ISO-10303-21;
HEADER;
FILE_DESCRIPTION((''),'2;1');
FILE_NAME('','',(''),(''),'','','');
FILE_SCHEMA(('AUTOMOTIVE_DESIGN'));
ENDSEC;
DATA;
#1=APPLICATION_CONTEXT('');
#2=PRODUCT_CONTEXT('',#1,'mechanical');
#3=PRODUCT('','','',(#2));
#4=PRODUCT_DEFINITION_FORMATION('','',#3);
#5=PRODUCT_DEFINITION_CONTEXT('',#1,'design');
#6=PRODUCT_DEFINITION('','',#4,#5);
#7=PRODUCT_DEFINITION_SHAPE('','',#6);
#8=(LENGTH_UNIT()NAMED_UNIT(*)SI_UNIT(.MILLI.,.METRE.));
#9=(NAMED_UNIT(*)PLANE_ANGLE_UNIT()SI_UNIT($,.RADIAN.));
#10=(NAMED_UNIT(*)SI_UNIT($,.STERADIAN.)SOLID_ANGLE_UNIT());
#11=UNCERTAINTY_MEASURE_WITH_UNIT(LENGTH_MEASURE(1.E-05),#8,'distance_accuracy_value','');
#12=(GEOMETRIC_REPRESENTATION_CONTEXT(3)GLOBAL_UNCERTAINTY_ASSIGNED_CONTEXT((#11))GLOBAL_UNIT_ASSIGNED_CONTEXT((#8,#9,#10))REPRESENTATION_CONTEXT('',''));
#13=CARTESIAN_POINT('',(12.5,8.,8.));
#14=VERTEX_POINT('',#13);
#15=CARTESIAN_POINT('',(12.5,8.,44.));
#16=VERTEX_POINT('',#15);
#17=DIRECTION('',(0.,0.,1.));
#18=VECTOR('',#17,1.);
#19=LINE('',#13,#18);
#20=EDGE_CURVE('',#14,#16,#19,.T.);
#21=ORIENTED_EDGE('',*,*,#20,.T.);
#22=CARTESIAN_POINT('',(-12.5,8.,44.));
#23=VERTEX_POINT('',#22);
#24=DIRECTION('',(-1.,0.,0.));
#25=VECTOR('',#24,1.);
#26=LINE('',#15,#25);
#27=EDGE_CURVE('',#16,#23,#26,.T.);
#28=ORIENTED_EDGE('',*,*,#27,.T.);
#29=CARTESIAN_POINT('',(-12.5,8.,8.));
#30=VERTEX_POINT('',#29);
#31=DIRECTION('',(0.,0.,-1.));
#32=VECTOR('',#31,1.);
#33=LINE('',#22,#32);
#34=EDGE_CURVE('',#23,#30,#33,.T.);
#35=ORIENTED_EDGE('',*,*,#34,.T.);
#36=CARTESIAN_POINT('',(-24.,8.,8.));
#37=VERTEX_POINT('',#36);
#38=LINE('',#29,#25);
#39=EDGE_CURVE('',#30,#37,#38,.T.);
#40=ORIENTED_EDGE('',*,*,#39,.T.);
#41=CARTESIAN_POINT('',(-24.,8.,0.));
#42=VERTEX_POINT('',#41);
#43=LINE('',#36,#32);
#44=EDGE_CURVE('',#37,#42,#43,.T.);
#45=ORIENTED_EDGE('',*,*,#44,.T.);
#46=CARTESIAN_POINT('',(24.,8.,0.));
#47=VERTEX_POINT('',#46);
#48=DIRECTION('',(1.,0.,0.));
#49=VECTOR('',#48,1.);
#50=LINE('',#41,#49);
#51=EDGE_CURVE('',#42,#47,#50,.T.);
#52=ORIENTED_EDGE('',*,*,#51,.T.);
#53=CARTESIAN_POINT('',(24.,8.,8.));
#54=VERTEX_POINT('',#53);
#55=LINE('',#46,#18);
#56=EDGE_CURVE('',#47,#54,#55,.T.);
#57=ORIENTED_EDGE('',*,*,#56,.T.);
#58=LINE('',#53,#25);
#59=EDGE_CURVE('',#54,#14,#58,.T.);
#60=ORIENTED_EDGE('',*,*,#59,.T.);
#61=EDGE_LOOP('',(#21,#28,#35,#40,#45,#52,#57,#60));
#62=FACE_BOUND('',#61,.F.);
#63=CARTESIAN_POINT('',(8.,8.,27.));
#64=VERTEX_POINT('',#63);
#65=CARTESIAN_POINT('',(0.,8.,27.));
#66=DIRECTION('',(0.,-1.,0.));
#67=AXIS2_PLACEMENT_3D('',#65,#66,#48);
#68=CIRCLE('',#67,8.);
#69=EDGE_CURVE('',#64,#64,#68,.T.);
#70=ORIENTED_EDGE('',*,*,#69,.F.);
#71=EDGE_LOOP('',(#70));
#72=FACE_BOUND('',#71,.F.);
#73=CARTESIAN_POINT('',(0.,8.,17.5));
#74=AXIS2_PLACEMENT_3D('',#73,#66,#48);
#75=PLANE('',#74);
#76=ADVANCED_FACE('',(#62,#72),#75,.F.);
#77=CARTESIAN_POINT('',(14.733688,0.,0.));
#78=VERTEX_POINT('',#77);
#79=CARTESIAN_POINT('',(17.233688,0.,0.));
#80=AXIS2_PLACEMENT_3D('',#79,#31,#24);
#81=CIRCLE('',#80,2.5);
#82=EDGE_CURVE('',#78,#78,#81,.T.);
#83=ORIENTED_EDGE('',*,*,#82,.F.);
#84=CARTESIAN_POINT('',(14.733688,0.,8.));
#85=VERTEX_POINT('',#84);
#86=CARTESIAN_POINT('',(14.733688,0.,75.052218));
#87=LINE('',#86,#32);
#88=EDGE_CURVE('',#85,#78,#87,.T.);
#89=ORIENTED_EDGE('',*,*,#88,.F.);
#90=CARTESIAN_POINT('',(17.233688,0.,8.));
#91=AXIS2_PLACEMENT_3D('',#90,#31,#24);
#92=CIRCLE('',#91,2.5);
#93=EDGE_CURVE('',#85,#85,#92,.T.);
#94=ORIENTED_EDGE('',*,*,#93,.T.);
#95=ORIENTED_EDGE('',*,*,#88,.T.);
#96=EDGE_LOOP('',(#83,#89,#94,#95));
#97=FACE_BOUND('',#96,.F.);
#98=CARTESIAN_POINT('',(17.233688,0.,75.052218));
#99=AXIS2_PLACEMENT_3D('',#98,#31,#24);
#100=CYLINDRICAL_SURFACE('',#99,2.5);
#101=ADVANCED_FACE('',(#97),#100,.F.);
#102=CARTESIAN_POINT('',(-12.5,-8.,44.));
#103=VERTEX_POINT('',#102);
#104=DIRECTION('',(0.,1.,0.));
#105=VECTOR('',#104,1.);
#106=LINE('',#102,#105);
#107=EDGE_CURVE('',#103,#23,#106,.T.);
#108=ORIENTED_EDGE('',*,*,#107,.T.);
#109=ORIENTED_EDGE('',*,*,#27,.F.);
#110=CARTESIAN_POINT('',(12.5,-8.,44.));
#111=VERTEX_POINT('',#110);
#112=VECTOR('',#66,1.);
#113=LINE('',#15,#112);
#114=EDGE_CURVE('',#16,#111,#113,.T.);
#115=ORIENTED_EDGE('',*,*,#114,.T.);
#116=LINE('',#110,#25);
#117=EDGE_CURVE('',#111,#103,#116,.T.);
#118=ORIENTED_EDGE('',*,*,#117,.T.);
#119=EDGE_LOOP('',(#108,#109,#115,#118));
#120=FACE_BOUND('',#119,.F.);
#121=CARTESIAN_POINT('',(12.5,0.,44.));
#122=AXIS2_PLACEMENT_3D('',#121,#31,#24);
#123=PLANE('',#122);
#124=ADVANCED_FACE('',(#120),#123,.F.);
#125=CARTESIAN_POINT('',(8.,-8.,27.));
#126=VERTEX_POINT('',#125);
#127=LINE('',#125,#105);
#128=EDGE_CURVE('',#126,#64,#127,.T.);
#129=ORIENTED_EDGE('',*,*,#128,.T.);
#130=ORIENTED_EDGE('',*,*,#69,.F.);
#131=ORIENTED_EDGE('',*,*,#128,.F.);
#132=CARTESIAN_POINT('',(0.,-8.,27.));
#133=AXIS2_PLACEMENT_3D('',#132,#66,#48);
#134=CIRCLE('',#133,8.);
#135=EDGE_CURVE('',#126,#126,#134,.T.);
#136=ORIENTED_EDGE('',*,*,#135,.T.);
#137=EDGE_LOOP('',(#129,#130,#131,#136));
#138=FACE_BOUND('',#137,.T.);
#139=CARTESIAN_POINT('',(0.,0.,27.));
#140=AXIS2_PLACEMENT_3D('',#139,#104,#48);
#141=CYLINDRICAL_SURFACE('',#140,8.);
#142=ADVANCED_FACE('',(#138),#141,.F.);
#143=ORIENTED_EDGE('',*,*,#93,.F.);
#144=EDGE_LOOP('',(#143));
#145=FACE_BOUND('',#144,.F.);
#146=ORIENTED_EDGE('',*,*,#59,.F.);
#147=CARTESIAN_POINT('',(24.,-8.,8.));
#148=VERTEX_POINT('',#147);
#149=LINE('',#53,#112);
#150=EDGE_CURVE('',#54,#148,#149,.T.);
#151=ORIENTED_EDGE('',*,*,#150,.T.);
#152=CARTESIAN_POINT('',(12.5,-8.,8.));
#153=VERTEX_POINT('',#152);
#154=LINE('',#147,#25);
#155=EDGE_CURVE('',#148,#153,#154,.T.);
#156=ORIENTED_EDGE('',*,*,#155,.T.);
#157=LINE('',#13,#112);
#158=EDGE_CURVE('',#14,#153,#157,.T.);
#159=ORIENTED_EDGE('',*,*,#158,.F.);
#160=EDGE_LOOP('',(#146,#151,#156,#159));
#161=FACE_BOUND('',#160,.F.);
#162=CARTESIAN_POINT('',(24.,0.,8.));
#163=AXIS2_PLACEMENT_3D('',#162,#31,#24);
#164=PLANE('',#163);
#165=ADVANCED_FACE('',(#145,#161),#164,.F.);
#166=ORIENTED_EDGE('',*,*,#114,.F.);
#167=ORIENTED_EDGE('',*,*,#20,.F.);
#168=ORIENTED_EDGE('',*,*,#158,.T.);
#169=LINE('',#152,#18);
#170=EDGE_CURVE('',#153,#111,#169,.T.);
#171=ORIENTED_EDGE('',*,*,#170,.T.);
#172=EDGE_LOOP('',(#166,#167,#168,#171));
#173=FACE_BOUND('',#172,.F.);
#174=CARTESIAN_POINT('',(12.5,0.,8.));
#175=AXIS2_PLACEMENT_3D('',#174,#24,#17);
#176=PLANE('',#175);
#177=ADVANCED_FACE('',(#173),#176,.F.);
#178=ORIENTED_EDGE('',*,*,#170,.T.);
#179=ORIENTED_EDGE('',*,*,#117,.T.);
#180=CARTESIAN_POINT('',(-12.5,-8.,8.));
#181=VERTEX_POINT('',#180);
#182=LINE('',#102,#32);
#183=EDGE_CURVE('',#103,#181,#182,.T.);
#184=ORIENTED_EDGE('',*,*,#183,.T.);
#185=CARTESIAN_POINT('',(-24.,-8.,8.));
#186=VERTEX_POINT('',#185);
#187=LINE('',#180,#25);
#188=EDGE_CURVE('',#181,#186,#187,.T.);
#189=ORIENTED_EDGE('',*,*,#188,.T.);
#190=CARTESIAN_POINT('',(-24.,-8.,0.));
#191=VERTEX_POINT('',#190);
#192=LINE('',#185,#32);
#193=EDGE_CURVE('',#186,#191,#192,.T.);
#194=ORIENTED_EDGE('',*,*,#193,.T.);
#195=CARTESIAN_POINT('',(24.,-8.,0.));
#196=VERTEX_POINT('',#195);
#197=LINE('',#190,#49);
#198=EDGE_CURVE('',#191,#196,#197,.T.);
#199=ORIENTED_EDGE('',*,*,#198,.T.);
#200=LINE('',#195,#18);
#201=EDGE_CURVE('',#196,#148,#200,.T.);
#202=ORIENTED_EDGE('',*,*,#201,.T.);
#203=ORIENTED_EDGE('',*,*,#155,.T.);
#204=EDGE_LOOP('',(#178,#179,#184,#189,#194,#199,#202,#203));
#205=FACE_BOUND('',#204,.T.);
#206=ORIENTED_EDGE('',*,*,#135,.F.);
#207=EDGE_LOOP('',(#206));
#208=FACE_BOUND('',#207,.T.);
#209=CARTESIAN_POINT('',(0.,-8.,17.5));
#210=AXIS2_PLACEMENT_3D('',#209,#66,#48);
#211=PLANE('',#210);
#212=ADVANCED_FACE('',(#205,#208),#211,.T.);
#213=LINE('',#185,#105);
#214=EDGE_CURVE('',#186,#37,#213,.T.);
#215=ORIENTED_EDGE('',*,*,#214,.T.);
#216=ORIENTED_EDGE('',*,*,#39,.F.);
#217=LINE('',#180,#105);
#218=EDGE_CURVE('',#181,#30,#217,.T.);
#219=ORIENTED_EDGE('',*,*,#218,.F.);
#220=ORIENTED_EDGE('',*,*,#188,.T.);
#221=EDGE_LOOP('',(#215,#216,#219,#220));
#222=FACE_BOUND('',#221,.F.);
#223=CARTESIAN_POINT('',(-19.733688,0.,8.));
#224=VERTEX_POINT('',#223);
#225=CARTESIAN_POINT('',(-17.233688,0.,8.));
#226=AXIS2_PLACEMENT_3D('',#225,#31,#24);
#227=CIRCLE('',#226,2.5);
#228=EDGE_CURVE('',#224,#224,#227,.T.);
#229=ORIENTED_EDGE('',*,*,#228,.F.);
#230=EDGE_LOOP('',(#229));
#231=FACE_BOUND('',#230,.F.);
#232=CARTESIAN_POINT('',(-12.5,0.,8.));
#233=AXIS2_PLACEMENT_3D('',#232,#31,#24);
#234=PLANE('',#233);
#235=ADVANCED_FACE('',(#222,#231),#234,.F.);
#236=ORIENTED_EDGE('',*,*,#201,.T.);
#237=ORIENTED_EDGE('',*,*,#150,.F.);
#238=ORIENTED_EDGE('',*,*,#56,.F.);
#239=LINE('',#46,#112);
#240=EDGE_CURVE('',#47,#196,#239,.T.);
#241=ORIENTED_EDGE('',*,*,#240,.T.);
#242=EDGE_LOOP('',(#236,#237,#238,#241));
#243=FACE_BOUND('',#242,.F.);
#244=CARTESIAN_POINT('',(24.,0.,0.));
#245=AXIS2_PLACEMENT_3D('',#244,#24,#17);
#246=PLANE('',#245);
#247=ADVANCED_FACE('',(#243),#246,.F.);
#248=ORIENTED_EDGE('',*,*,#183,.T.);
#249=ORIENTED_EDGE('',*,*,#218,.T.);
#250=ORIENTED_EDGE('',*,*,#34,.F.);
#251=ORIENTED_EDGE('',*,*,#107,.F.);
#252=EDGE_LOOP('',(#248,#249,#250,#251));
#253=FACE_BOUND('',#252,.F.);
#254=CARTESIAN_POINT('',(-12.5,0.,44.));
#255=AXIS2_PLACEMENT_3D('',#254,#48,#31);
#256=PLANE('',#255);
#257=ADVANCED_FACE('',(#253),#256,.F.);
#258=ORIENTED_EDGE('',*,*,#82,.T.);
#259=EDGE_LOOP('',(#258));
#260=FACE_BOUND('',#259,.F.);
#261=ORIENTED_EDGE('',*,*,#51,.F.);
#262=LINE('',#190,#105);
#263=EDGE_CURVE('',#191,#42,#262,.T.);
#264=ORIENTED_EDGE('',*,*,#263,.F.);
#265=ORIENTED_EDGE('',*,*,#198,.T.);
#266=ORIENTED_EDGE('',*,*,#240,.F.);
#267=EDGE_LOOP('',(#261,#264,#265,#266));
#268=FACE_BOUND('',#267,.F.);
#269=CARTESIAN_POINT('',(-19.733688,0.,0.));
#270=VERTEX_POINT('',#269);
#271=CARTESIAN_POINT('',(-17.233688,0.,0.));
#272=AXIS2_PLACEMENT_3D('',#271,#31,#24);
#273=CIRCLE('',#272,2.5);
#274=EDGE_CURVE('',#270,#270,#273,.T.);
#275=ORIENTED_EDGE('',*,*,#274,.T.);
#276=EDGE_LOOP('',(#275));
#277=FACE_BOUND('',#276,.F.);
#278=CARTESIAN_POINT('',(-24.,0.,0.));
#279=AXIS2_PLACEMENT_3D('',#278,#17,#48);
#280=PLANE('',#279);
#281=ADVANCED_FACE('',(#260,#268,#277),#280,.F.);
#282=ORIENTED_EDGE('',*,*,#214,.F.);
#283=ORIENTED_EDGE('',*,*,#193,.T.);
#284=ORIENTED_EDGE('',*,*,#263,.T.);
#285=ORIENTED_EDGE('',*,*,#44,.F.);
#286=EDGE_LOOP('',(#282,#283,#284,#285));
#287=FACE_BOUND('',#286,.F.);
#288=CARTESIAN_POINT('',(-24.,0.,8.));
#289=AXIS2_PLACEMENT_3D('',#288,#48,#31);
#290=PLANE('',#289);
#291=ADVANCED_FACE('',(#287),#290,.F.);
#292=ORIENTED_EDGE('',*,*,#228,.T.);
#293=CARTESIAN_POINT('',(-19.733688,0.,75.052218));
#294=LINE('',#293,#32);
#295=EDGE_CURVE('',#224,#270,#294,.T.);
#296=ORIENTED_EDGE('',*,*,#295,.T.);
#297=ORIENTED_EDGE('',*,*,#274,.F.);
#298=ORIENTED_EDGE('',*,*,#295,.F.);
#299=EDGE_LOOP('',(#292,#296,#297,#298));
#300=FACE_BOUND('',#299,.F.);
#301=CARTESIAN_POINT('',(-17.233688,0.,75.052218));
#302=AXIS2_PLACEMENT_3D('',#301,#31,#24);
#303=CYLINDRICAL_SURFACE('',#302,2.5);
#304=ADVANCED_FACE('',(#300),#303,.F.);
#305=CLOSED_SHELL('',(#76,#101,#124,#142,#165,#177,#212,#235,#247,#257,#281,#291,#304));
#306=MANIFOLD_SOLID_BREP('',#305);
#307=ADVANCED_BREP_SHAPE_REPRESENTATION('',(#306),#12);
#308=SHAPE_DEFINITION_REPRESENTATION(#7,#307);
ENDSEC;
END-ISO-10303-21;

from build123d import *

# Parameters (mm, degrees)
F0_R          = 8
F1_DEPTH      = 8
F1_DEPTH_BACK = 8
F3_D          = 5


with BuildPart() as f1:
    # F0 (on Front) → F1 (new body, two sides)
    with BuildSketch(Plane.XZ) as f1_sk:
        Polygon((-24, 0), (0, 0), (24, 0), (24, 8), (12.5, 8), (12.5, 44), (0, 44), (-12.5, 44), (-12.5, 8), (-24, 8), align=None)
        with Locations((0, 27)):
            Circle(F0_R, mode=Mode.SUBTRACT)
    extrude(amount=-F1_DEPTH)
    extrude(f1_sk.sketch, amount=F1_DEPTH_BACK)

    # F3 (through all)
    with Locations(Plane.XY.offset(8)):
        with Locations((-17.2336879396, 0), (17.2336879396, 0)):
            Hole(F3_D / 2)


solid = f1.part
